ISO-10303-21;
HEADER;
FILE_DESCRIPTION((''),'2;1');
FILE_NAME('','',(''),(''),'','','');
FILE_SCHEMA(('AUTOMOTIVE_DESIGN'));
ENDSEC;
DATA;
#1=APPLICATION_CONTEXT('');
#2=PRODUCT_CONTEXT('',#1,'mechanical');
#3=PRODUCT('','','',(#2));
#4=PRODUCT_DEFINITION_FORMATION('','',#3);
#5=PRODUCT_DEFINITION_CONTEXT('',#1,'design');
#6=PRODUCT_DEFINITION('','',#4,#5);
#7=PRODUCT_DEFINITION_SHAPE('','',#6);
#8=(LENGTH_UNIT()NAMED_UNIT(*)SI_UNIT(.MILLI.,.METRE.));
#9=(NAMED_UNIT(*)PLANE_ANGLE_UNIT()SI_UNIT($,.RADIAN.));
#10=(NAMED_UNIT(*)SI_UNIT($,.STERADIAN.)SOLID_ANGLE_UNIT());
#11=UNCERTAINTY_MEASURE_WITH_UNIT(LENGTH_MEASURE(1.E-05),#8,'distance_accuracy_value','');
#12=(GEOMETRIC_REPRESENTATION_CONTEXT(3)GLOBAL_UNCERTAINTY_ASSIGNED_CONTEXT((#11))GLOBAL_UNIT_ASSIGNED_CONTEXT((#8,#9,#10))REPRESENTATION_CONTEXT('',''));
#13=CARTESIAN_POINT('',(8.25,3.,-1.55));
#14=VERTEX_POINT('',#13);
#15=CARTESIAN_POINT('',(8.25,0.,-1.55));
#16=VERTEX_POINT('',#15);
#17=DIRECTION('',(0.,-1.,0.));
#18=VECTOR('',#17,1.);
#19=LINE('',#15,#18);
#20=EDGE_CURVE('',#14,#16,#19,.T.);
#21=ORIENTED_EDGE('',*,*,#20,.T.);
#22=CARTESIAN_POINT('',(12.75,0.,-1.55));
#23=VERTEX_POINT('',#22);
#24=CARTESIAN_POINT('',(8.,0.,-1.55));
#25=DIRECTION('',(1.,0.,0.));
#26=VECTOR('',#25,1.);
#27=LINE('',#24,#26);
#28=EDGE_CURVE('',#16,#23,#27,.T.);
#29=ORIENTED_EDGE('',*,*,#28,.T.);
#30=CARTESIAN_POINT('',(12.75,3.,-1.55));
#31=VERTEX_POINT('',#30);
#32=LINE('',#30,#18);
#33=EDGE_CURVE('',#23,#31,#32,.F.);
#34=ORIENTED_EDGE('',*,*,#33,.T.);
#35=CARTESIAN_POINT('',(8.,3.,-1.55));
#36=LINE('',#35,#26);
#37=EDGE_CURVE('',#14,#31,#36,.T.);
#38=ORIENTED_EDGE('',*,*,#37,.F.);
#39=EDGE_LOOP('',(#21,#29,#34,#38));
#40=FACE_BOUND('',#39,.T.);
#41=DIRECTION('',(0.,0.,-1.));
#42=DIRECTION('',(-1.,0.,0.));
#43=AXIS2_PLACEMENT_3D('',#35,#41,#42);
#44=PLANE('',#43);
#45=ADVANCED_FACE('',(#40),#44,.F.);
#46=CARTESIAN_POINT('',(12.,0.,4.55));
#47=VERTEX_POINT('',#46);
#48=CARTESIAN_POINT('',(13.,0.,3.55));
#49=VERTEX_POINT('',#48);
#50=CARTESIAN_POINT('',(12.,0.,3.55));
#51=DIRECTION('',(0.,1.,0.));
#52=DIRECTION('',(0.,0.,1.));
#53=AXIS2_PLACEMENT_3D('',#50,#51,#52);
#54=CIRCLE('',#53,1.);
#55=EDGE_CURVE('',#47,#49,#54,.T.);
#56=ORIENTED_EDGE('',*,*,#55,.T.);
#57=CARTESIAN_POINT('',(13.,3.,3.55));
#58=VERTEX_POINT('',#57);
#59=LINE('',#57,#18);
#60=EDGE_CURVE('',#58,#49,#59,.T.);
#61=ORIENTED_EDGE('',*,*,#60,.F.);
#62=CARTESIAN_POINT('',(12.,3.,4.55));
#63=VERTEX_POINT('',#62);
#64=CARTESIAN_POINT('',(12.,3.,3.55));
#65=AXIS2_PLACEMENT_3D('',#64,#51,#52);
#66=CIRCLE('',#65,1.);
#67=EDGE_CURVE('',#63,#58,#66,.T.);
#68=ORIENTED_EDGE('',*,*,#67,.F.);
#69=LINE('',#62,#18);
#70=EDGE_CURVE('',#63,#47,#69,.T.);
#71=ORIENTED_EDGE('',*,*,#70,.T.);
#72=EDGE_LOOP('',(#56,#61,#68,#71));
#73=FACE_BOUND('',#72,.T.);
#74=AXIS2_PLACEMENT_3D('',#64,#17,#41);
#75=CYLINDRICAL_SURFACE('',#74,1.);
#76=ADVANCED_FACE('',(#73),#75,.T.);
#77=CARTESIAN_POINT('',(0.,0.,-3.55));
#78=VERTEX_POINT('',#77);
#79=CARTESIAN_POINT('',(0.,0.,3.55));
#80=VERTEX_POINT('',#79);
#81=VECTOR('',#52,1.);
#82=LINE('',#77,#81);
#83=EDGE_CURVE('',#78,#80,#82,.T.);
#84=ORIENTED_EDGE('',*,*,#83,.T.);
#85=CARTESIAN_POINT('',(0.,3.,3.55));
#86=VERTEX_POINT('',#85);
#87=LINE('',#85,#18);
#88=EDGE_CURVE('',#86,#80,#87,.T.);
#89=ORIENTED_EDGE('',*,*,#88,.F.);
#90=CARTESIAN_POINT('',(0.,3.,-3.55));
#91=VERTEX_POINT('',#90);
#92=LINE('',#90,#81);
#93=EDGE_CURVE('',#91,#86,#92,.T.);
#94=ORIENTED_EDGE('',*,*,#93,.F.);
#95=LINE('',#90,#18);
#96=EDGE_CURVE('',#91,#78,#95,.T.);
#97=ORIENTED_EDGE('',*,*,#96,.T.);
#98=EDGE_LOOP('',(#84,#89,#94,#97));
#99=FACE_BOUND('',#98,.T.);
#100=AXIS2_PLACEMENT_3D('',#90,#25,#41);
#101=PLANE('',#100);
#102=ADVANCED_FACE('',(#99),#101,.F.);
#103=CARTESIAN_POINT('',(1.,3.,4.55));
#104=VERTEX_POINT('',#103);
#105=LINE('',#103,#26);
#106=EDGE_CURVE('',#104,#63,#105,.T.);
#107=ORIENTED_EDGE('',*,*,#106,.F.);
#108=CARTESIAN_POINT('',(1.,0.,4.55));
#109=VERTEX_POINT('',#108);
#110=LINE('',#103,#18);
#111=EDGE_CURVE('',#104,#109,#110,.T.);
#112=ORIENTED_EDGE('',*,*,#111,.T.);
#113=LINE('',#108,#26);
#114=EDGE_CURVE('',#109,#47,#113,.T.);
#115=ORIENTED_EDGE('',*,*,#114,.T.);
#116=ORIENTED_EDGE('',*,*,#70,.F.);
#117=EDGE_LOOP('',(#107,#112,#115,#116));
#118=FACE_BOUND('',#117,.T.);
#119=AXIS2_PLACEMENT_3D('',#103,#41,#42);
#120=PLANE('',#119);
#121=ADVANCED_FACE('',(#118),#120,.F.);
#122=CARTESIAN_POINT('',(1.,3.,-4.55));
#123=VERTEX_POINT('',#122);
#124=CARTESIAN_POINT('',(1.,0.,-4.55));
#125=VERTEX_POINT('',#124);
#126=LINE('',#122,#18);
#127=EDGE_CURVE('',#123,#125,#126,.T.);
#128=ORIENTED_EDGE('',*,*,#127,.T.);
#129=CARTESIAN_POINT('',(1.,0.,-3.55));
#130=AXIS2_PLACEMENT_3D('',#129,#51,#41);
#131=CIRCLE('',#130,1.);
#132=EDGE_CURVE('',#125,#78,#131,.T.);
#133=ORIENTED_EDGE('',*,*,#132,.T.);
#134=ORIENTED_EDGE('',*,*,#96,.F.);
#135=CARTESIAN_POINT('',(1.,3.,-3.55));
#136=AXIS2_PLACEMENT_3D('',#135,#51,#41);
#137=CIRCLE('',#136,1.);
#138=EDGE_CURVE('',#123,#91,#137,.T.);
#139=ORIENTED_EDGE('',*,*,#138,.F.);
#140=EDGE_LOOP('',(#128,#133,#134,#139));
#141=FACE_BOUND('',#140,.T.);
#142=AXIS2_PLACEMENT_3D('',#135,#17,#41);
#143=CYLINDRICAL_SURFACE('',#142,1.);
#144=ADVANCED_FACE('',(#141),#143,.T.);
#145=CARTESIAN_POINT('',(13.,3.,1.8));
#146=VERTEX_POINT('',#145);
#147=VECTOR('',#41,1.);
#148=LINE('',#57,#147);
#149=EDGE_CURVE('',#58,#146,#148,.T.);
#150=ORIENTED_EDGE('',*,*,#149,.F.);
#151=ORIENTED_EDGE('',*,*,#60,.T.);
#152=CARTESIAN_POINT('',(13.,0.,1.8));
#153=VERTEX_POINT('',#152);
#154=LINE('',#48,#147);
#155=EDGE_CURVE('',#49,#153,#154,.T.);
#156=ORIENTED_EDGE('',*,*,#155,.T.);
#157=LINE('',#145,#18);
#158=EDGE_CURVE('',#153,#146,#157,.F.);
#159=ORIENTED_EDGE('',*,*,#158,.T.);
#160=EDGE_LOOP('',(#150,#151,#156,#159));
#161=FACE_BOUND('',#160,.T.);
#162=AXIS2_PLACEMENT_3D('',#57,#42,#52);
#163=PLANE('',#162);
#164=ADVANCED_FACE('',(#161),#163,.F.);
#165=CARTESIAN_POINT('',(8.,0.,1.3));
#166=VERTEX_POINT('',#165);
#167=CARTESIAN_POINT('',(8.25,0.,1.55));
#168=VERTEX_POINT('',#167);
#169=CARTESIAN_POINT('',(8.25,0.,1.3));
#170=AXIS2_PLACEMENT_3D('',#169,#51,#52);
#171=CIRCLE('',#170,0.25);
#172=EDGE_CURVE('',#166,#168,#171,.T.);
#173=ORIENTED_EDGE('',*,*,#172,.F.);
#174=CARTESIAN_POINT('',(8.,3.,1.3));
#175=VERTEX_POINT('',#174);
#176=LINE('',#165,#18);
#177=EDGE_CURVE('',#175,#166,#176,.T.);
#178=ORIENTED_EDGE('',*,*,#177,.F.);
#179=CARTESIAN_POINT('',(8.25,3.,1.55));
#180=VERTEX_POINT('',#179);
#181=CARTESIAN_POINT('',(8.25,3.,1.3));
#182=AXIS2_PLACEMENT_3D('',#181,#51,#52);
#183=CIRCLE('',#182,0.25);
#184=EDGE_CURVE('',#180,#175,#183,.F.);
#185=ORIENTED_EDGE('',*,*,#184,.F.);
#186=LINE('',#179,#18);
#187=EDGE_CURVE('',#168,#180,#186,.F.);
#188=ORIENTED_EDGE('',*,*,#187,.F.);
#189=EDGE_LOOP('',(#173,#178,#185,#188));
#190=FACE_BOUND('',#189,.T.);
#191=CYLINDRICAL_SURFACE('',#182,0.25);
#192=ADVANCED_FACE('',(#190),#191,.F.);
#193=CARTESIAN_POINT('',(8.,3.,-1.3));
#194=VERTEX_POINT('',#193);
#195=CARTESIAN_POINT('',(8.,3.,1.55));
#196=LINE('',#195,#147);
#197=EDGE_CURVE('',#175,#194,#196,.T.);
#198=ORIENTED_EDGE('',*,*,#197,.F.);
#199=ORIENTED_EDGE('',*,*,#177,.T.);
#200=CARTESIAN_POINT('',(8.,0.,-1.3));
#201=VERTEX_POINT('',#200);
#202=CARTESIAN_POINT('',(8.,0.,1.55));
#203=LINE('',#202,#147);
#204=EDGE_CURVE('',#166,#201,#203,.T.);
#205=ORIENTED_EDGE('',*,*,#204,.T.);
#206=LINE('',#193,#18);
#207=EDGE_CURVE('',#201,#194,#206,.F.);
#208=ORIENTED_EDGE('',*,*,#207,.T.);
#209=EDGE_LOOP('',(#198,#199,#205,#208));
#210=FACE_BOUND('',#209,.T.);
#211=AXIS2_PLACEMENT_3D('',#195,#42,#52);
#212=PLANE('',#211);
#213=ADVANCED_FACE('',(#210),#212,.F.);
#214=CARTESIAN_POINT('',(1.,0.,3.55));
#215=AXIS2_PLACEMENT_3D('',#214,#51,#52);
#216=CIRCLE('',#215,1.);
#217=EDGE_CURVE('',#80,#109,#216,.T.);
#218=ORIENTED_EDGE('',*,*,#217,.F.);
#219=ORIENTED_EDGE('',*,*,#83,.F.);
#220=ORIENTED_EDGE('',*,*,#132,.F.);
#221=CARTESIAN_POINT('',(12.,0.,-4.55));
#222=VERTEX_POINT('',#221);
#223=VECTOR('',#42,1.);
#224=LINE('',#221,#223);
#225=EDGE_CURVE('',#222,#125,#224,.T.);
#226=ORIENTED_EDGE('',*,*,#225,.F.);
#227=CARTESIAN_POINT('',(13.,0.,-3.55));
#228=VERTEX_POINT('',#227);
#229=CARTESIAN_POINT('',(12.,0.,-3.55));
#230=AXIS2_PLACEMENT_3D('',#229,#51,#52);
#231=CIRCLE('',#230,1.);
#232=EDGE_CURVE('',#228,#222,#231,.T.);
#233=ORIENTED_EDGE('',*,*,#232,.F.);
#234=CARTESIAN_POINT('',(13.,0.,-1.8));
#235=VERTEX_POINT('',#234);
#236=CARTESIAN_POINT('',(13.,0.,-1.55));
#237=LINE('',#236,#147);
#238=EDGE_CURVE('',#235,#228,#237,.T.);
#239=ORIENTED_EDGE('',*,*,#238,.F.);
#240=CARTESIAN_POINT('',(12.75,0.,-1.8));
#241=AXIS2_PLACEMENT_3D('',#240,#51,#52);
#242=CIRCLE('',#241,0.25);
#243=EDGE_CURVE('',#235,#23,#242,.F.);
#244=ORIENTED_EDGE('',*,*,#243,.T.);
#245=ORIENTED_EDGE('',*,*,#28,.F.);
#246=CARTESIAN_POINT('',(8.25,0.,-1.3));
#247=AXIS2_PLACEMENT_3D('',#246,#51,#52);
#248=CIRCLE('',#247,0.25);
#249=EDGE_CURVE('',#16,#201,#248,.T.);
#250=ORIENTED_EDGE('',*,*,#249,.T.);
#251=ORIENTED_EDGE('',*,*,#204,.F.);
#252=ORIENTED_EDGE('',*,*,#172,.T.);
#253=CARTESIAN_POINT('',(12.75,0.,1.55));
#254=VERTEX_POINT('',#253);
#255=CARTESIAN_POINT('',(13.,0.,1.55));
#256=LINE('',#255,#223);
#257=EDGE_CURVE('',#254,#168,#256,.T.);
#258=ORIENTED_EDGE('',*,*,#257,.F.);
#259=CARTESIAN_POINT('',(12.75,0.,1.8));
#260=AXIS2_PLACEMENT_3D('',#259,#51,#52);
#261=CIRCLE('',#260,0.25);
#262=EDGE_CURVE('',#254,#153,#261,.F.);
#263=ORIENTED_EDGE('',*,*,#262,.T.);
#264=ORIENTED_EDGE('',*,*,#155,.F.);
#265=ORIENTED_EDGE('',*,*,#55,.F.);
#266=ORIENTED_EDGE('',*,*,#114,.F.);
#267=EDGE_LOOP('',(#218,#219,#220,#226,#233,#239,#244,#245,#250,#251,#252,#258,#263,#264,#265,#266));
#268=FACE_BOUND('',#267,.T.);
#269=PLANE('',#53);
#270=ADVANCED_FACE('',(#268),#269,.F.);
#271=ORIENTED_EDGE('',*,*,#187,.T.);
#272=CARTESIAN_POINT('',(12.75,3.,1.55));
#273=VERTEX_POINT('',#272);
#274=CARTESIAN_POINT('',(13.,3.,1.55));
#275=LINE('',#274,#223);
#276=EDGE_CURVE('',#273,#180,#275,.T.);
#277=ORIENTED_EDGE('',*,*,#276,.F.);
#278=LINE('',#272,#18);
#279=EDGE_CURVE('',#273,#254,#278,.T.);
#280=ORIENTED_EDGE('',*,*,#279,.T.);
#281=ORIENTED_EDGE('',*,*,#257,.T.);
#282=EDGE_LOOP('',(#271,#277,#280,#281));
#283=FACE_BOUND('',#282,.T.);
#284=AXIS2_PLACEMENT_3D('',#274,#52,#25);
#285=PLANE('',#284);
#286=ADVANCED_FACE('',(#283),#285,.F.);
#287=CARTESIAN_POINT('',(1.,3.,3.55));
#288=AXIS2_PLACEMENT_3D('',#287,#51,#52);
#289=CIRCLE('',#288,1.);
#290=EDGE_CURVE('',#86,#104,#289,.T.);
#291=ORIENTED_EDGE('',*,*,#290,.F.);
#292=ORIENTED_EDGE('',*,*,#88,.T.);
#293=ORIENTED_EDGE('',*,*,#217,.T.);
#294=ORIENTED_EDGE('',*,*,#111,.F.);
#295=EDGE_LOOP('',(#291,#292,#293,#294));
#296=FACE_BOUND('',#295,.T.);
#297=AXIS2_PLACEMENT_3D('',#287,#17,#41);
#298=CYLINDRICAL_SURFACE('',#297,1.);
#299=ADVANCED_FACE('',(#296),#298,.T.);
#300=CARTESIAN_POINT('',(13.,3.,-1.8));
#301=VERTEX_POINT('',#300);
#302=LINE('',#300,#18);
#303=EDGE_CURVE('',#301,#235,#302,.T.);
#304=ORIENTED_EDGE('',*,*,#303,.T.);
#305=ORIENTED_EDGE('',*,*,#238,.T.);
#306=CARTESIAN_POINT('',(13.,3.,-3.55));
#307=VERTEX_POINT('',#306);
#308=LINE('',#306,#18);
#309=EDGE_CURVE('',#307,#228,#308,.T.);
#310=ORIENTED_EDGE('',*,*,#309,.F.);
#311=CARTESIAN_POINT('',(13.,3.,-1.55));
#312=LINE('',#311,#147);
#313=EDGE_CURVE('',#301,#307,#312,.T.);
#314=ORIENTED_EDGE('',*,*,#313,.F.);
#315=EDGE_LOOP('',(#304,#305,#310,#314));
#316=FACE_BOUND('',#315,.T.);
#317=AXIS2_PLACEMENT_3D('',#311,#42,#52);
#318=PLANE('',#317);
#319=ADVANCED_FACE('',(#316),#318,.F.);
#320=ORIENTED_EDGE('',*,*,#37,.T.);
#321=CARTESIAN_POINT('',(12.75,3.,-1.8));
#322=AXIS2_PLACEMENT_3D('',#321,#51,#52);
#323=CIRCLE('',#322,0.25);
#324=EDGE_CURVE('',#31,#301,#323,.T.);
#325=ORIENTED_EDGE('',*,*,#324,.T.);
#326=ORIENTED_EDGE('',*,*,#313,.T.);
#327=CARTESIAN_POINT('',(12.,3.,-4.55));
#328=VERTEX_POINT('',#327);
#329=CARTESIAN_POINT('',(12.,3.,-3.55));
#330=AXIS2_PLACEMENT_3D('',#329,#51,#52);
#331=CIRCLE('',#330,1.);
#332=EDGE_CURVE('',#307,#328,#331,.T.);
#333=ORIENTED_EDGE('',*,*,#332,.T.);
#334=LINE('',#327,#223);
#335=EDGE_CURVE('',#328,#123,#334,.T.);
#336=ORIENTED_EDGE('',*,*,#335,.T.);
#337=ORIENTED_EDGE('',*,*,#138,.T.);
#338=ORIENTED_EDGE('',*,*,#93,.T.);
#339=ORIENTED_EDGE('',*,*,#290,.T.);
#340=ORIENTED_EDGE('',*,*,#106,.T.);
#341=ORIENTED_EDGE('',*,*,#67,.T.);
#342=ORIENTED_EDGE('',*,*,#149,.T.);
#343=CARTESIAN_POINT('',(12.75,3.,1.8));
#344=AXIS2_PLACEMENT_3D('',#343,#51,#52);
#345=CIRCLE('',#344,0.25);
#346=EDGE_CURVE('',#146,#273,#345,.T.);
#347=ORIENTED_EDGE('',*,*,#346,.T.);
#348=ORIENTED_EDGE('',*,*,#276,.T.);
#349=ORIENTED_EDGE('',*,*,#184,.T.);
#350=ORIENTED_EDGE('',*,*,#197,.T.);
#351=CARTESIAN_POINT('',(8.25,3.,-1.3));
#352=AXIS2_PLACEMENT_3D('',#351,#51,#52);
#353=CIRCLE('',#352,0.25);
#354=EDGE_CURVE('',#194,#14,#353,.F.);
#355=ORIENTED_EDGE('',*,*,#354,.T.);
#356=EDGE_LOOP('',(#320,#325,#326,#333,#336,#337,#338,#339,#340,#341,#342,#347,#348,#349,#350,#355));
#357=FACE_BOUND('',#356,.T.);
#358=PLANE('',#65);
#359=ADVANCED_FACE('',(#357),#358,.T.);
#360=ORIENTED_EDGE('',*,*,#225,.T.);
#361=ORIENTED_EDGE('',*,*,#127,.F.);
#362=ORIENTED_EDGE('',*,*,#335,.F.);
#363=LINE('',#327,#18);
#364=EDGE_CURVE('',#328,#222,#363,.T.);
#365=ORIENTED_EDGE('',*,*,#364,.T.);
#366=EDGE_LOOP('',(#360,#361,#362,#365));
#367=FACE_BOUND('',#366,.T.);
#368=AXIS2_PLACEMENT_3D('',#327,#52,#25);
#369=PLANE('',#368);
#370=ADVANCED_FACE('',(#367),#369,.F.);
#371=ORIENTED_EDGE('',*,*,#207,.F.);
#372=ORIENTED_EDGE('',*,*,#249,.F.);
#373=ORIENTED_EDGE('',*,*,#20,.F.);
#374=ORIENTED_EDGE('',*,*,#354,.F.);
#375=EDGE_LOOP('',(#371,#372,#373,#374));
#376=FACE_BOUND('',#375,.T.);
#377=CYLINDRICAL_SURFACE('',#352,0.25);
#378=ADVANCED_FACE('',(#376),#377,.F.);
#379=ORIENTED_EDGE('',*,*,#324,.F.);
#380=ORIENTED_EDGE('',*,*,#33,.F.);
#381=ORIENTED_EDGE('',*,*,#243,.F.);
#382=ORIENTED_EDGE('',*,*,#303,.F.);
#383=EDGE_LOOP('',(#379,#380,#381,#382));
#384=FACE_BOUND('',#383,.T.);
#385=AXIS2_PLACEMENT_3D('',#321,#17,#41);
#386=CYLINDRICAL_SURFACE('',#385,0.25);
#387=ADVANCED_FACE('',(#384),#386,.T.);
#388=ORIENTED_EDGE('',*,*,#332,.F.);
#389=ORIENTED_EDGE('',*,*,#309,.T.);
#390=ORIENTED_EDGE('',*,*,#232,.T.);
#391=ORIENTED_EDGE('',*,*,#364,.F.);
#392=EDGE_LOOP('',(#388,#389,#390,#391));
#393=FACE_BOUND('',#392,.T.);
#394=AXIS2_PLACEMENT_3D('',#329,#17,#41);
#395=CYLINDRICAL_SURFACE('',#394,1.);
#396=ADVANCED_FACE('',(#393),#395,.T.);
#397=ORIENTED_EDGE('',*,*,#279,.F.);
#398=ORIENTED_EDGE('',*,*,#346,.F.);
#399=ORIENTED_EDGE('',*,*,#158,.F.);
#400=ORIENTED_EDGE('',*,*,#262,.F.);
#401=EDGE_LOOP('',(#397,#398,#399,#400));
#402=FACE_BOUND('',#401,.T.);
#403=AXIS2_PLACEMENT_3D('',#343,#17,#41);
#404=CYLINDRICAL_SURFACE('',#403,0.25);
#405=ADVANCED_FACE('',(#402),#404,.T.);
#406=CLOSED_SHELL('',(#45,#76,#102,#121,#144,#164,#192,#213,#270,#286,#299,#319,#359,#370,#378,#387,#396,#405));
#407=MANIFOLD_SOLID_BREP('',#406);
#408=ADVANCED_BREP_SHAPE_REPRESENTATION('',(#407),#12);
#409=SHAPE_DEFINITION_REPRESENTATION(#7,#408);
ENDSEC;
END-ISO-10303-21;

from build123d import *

# Parameters (mm, degrees)
SALIENTE_EXTRUIR1_DEPTH = 3
REDONDEO1_R             = 0.25


with BuildPart() as part:
    # Croquis1 → Saliente-Extruir1 (new body)
    with BuildSketch(Plane(origin=(0, 0, 0), x_dir=(1, 0, 0), z_dir=(0, 1, 0))):
        with BuildLine():
            Line((0, 3.55), (0, -3.55))
            ThreePointArc((0, -3.55), (0.292893219, -4.257106781), (1, -4.55))
            Line((1, -4.55), (12, -4.55))
            ThreePointArc((12, -4.55), (12.707106781, -4.257106781), (13, -3.55))
            Line((13, -3.55), (13, -1.55))
            Line((13, -1.55), (8, -1.55))
            Line((8, -1.55), (8, 1.55))
            Line((8, 1.55), (13, 1.55))
            Line((13, 1.55), (13, 3.55))
            ThreePointArc((13, 3.55), (12.707106781, 4.257106781), (12, 4.55))
            Line((12, 4.55), (1, 4.55))
            ThreePointArc((1, 4.55), (0.292893219, 4.257106781), (0, 3.55))
        make_face()
    extrude(amount=SALIENTE_EXTRUIR1_DEPTH)

    # Redondeo1
    redondeo1_edges = [part.edges().sort_by_distance(p)[0] for p in [
        (13, 1.5, -1.55),
        (8, 1.5, -1.55),
        (8, 1.5, 1.55),
        (13, 1.5, 1.55),
    ]]
    fillet(redondeo1_edges, radius=REDONDEO1_R)


solid = part.part
